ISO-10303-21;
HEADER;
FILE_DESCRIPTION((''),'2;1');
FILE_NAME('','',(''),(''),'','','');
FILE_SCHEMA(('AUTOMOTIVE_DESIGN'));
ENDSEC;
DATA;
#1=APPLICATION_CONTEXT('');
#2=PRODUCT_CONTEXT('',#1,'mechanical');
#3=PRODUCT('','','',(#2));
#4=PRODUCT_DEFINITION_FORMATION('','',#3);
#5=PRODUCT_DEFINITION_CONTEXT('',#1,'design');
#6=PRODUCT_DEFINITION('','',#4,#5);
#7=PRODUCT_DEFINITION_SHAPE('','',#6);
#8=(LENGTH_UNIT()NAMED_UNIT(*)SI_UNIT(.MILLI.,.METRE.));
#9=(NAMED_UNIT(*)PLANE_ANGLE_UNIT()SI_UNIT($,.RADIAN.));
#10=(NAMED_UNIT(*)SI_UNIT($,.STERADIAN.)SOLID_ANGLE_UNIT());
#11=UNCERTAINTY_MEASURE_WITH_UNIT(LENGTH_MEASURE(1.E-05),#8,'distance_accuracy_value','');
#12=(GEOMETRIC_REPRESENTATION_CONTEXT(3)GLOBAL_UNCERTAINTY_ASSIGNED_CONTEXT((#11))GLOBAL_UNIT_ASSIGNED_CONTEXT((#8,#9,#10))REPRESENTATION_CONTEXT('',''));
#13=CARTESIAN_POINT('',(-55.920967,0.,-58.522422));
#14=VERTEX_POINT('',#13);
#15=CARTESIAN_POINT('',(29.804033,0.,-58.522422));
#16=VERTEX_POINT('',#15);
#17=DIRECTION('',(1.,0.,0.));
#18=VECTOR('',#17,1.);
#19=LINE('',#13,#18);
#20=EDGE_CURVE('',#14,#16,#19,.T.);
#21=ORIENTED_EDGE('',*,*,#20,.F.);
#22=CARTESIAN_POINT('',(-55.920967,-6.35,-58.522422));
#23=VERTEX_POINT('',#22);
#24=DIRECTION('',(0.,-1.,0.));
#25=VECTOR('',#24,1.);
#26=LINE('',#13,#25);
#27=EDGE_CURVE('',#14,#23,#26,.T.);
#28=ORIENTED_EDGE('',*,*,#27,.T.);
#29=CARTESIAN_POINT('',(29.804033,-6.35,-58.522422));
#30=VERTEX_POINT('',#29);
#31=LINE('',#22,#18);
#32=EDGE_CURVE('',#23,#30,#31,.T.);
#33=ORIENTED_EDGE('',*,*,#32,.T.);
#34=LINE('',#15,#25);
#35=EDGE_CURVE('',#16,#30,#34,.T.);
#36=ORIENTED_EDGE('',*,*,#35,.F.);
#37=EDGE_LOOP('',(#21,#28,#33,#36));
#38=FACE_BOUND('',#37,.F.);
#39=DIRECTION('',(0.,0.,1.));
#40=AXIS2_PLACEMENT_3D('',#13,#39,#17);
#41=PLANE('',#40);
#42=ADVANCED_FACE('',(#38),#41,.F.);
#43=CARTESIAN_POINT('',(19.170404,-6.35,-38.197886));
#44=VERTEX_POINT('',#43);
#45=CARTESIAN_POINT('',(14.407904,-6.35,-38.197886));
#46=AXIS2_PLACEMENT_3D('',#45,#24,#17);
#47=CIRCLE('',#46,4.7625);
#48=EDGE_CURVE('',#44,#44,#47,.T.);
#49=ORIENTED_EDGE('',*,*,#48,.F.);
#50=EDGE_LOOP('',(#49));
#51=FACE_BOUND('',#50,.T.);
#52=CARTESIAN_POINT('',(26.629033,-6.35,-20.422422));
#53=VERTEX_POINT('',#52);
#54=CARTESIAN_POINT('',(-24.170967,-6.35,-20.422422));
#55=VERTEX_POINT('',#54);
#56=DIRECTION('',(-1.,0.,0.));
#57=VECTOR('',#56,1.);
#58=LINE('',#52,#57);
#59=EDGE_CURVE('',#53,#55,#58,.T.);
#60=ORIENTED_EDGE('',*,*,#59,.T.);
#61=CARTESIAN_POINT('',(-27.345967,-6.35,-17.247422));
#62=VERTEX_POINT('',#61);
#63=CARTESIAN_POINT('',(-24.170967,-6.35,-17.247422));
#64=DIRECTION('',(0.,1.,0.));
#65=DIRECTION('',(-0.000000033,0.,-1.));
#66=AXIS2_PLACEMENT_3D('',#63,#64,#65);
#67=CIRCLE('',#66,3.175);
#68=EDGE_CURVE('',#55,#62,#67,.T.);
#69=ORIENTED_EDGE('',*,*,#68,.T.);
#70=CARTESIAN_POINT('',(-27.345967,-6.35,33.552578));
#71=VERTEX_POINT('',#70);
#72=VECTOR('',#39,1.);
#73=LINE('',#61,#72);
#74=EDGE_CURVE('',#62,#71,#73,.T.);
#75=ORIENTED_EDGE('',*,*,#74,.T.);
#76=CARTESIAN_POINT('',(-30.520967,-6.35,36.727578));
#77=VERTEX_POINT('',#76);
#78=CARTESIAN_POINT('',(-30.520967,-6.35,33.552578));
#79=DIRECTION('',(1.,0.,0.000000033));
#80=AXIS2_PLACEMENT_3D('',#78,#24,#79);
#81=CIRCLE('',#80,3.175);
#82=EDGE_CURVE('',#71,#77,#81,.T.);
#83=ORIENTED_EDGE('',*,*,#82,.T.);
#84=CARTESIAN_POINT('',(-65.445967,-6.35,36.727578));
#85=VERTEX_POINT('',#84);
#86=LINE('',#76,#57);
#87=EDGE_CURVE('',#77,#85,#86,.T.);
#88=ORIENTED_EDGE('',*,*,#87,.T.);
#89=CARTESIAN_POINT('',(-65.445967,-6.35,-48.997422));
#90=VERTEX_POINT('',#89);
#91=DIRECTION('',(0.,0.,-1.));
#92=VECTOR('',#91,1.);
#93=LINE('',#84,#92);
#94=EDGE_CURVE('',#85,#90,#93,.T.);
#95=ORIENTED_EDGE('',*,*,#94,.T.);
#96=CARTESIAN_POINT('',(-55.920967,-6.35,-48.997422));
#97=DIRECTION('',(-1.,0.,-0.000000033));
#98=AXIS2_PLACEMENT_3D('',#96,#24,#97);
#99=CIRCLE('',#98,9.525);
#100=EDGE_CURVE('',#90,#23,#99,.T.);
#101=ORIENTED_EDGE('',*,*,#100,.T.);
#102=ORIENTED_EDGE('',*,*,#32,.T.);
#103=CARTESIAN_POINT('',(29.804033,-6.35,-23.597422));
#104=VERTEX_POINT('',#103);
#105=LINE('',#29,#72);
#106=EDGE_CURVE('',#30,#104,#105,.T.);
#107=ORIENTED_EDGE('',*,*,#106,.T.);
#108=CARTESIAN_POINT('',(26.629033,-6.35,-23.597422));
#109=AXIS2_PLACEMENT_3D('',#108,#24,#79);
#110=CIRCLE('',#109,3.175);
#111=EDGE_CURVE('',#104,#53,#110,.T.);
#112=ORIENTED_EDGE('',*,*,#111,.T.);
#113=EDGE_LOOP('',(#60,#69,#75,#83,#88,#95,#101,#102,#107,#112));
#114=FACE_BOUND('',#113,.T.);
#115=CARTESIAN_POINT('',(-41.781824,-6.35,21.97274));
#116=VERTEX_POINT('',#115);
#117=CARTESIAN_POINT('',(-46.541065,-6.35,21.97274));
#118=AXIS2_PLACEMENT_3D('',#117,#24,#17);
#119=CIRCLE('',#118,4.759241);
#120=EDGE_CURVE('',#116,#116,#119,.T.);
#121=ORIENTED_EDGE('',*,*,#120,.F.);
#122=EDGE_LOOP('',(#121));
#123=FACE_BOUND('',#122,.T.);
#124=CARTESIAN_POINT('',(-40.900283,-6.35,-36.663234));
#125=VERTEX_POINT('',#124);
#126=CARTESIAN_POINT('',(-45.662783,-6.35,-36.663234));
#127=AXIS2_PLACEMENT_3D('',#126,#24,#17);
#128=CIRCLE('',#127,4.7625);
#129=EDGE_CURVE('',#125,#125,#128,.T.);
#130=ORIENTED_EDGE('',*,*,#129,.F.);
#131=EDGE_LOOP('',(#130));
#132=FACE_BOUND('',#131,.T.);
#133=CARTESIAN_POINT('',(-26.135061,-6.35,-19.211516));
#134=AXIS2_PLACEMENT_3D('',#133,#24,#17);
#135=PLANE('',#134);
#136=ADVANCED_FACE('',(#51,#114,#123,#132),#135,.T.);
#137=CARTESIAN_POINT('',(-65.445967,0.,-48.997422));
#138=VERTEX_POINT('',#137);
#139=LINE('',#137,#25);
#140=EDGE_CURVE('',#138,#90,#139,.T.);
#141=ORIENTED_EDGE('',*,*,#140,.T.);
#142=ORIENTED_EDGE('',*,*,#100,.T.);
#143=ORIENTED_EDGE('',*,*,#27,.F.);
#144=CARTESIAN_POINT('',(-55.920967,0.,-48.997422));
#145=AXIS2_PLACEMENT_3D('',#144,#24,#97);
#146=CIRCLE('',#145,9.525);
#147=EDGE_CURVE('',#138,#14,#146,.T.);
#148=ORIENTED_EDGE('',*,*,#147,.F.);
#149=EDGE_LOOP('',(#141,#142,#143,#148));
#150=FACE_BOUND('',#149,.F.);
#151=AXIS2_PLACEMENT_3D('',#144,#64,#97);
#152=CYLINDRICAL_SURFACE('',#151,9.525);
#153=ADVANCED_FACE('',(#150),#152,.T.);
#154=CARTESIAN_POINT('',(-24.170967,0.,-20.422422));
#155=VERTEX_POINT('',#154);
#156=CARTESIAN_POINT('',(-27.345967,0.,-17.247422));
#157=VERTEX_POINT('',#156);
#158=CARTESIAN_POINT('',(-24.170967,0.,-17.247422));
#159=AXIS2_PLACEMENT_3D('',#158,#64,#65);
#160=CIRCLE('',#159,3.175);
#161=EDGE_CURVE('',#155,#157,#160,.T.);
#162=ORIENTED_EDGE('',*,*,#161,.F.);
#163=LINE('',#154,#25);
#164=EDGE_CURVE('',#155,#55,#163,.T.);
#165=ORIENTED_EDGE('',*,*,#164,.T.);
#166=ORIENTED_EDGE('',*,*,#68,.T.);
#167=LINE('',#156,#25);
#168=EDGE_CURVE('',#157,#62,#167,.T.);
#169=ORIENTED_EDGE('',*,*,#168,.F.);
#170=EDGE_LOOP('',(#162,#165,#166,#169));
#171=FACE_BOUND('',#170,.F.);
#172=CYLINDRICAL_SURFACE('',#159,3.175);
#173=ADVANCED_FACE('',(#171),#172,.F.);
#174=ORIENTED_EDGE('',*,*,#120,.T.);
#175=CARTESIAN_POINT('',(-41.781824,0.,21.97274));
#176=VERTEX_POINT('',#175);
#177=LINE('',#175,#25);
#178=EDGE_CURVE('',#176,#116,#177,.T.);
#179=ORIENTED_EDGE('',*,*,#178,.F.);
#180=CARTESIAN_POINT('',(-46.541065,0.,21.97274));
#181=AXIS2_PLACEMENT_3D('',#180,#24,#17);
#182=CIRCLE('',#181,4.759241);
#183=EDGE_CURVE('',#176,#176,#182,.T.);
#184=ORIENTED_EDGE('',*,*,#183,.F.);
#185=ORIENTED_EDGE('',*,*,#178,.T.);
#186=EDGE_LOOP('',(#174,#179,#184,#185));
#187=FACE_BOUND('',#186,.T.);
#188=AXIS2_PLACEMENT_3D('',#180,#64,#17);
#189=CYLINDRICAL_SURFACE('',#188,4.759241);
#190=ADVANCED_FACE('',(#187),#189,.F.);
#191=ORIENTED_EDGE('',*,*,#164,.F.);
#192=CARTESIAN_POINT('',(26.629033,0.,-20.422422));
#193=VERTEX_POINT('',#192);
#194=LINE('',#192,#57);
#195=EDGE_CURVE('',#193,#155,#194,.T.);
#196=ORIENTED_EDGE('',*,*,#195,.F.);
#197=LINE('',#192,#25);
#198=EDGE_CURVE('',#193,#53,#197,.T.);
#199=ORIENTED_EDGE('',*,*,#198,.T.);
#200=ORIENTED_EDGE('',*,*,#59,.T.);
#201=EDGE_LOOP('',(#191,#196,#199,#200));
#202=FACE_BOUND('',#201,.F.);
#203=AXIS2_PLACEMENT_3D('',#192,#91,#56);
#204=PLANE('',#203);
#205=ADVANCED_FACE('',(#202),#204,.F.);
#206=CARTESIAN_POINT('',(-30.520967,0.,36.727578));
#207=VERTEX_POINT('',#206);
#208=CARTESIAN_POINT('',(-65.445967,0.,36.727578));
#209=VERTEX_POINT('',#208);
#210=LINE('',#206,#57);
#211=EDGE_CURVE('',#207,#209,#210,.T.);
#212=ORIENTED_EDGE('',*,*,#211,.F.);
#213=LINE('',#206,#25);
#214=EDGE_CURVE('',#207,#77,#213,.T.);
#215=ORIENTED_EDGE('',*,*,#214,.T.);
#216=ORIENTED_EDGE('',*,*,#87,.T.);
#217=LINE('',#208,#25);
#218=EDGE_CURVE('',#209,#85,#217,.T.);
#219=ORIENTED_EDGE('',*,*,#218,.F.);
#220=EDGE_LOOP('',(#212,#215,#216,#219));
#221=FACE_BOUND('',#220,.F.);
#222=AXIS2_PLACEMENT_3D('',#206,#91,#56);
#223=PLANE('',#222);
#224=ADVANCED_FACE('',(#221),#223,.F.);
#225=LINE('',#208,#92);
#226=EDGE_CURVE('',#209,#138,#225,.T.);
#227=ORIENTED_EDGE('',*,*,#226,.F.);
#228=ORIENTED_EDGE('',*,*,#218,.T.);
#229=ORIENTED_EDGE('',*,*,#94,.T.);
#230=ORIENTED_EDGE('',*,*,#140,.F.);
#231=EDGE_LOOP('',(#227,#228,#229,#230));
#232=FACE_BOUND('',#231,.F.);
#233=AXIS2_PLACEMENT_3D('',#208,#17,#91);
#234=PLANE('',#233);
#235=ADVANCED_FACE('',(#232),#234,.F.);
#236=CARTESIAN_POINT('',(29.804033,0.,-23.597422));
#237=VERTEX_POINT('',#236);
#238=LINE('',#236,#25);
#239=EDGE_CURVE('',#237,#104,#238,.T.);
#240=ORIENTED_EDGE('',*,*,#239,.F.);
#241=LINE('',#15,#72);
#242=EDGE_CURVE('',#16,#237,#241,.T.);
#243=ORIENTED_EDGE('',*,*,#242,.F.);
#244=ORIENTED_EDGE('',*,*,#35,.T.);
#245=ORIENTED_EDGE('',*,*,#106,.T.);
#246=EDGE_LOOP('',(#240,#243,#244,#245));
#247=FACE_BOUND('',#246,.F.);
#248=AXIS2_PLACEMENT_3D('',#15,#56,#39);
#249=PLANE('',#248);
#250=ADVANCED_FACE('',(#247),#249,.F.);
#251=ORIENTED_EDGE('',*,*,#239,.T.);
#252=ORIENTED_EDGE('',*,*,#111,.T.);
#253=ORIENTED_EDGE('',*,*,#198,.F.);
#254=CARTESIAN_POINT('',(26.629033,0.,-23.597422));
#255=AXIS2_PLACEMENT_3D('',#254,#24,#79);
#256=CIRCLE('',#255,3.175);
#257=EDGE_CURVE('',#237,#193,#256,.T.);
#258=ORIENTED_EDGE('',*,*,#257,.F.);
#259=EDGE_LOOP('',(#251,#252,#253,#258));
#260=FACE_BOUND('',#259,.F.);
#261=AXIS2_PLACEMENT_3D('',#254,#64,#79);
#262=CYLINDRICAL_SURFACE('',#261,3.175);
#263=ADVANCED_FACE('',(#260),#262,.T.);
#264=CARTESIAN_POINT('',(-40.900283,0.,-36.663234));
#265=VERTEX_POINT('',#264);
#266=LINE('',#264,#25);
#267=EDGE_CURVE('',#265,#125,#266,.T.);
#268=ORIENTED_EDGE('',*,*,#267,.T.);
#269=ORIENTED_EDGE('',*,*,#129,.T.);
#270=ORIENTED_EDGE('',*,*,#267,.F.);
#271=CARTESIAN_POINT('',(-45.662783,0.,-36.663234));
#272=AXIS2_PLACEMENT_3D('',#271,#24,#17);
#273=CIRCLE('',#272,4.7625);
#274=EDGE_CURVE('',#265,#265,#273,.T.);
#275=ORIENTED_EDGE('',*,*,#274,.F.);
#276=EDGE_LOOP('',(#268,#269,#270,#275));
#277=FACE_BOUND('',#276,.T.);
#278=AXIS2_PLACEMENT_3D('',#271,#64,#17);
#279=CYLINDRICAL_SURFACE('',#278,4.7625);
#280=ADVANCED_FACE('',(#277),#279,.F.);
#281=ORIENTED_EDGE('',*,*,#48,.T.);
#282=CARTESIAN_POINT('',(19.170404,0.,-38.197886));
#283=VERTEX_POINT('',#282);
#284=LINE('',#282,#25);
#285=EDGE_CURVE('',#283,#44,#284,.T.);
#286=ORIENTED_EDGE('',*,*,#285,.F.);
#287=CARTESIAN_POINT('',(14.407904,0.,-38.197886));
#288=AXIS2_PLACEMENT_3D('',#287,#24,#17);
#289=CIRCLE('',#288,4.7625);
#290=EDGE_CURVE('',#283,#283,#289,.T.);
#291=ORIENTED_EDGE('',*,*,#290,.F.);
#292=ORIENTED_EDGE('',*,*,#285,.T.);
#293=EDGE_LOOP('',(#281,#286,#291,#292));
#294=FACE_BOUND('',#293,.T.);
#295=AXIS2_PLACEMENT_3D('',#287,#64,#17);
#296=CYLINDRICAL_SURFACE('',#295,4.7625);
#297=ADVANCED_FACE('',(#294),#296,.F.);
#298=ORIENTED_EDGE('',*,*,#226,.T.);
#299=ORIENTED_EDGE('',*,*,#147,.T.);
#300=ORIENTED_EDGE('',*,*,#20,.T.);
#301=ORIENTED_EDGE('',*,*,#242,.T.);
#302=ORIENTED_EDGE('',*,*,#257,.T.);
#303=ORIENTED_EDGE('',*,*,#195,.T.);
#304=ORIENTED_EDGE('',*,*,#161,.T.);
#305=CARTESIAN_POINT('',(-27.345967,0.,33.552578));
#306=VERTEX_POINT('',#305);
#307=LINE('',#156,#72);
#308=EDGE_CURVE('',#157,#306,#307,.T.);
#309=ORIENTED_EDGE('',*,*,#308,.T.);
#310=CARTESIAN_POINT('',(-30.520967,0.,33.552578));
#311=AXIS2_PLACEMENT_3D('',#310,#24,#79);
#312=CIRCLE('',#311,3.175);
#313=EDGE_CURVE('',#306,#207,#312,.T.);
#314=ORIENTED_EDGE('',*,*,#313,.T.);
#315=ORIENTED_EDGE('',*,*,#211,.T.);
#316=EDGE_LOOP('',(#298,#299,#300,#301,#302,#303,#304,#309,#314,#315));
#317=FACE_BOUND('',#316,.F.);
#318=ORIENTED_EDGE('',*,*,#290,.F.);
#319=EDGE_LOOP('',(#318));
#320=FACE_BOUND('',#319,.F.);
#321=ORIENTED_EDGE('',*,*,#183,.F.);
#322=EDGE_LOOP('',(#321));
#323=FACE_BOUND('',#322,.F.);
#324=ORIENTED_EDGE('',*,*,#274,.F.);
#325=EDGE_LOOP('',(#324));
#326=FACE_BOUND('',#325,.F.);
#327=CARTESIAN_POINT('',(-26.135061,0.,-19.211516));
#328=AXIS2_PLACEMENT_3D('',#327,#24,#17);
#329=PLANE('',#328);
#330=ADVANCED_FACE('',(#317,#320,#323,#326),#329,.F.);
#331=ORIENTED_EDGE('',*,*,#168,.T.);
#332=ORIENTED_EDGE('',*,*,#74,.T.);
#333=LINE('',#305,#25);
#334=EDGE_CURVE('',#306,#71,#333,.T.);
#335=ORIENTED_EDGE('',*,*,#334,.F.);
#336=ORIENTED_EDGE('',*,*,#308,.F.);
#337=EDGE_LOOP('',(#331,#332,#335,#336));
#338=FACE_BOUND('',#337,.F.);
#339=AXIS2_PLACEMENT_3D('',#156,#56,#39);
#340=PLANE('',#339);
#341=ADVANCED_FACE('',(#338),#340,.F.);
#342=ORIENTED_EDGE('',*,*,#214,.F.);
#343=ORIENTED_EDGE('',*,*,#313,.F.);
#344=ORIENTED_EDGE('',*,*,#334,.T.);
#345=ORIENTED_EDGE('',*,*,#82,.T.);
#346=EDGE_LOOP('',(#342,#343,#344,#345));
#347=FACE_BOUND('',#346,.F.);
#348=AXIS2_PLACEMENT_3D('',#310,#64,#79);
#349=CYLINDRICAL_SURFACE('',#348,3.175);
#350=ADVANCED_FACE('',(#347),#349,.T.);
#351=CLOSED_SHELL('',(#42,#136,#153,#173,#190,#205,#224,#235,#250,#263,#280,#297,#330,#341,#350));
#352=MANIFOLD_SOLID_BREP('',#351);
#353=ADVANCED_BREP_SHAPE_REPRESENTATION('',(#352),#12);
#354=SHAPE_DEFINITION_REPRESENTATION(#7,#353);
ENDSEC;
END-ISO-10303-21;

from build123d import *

# Parameters (mm, degrees)
F0_R     = 4.7625
F0_R_2   = 4.759241
F1_DEPTH = 6.35


with BuildPart() as f1:
    # F0 (on Front) → F1 (new body)
    with BuildSketch(Plane.XZ):
        with BuildLine():
            Line((-30.520967, 36.727578), (-65.445967, 36.727578))
            Line((-65.445967, 36.727578), (-65.445967, -48.997422))
            ThreePointArc((-65.445967, -48.997422), (-62.656159, -55.732614), (-55.920967, -58.522422))
            Line((-55.920967, -58.522422), (29.804033, -58.522422))
            Line((29.804033, -58.522422), (29.804033, -23.597422))
            ThreePointArc((29.804033, -23.597422), (28.874097, -21.352358), (26.629033, -20.422422))
            Line((26.629033, -20.422422), (-24.170967, -20.422422))
            ThreePointArc((-24.170967, -20.422422), (-26.416031, -19.492486), (-27.345967, -17.247422))
            Line((-27.345967, -17.247422), (-27.345967, 33.552578))
            ThreePointArc((-27.345967, 33.552578), (-28.275903, 35.797642), (-30.520967, 36.727578))
        make_face()
        with Locations((-45.662783, -36.663234)):
            Circle(F0_R, mode=Mode.SUBTRACT)
        with Locations((14.407904, -38.197886)):
            Circle(F0_R, mode=Mode.SUBTRACT)
        with Locations((-46.541065, 21.97274)):
            Circle(F0_R_2, mode=Mode.SUBTRACT)
    extrude(amount=F1_DEPTH)


solid = f1.part
